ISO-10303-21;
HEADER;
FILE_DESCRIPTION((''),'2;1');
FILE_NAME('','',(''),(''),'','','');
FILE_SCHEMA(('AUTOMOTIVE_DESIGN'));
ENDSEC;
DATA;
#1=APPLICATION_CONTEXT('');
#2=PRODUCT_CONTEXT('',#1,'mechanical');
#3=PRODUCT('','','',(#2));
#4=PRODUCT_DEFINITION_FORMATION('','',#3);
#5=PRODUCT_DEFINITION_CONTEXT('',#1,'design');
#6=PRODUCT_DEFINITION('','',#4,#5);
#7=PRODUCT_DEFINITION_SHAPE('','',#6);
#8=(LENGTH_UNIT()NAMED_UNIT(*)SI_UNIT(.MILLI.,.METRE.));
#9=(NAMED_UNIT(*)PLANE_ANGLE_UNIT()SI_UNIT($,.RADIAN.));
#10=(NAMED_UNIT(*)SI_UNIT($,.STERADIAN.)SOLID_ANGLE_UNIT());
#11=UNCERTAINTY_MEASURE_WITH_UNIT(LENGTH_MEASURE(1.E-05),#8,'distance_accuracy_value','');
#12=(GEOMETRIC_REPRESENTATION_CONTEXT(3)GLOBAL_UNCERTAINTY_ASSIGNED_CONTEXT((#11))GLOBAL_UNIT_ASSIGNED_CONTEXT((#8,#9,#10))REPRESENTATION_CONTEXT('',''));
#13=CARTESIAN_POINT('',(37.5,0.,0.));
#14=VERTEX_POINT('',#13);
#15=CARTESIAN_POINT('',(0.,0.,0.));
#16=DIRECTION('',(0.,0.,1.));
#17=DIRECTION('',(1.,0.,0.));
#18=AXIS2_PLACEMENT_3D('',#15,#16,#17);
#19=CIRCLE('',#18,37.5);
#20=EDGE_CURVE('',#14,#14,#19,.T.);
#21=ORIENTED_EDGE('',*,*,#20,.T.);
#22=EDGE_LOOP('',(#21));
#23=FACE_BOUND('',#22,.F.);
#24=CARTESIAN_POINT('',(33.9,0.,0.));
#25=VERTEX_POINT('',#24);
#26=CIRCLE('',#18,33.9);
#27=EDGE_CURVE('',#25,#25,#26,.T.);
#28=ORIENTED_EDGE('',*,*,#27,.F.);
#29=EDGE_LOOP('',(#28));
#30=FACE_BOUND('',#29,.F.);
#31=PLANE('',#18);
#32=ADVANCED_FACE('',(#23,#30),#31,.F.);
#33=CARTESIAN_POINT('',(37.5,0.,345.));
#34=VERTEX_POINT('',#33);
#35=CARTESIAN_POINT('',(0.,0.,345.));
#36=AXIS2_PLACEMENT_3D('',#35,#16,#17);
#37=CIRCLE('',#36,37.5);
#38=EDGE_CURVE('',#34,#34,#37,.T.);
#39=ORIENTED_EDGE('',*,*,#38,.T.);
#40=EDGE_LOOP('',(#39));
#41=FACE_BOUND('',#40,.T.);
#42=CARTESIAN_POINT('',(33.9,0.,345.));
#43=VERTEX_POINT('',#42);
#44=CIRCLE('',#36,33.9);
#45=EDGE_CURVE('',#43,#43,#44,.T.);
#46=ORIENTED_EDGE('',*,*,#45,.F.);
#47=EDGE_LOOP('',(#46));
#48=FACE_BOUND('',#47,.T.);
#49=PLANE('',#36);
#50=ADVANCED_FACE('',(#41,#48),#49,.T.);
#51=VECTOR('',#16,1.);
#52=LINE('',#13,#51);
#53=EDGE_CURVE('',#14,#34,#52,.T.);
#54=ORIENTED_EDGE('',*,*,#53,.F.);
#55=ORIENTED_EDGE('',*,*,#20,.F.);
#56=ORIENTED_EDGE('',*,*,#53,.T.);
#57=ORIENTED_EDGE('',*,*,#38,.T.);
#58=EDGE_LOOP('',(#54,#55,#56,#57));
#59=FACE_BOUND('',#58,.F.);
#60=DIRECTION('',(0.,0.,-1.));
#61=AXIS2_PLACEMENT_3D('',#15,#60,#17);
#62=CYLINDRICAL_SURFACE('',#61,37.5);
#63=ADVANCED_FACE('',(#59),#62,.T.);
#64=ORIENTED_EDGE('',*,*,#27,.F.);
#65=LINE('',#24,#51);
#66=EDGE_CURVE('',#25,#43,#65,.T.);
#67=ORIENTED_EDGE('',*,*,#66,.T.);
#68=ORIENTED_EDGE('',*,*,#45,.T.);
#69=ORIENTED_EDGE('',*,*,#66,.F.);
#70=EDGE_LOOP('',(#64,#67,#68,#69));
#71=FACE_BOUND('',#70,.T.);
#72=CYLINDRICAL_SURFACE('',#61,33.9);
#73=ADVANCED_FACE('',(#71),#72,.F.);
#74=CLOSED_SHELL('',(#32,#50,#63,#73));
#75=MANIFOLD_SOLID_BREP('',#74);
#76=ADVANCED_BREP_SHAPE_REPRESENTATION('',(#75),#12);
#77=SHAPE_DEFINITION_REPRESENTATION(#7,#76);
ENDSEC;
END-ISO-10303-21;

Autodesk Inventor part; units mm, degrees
ref_plane "YZ Plane" through (0, 0, 0) normal (1, 0, 0) x (0, 1, 0)
ref_plane "XZ Plane" through (0, 0, 0) normal (0, 1, 0) x (-1, 0, 0)
ref_plane "XY Plane" through (0, 0, 0) normal (0, 0, 1) x (1, 0, 0)
sketch "Sketch1" plane through (0, 0, 0) normal (0, 0, 1) x (1, 0, 0)
  circle A0 centre (0, 0) radius 37.5
  circle A1 centre (0, 0) radius 33.9
  dimension "d0" = 75
  dimension "d1" = 3.6
extrude "Extrusion1" add sketch "Sketch1" along normal blind 345
properties part number "PVC_pipe" material "PVC-Piping"
